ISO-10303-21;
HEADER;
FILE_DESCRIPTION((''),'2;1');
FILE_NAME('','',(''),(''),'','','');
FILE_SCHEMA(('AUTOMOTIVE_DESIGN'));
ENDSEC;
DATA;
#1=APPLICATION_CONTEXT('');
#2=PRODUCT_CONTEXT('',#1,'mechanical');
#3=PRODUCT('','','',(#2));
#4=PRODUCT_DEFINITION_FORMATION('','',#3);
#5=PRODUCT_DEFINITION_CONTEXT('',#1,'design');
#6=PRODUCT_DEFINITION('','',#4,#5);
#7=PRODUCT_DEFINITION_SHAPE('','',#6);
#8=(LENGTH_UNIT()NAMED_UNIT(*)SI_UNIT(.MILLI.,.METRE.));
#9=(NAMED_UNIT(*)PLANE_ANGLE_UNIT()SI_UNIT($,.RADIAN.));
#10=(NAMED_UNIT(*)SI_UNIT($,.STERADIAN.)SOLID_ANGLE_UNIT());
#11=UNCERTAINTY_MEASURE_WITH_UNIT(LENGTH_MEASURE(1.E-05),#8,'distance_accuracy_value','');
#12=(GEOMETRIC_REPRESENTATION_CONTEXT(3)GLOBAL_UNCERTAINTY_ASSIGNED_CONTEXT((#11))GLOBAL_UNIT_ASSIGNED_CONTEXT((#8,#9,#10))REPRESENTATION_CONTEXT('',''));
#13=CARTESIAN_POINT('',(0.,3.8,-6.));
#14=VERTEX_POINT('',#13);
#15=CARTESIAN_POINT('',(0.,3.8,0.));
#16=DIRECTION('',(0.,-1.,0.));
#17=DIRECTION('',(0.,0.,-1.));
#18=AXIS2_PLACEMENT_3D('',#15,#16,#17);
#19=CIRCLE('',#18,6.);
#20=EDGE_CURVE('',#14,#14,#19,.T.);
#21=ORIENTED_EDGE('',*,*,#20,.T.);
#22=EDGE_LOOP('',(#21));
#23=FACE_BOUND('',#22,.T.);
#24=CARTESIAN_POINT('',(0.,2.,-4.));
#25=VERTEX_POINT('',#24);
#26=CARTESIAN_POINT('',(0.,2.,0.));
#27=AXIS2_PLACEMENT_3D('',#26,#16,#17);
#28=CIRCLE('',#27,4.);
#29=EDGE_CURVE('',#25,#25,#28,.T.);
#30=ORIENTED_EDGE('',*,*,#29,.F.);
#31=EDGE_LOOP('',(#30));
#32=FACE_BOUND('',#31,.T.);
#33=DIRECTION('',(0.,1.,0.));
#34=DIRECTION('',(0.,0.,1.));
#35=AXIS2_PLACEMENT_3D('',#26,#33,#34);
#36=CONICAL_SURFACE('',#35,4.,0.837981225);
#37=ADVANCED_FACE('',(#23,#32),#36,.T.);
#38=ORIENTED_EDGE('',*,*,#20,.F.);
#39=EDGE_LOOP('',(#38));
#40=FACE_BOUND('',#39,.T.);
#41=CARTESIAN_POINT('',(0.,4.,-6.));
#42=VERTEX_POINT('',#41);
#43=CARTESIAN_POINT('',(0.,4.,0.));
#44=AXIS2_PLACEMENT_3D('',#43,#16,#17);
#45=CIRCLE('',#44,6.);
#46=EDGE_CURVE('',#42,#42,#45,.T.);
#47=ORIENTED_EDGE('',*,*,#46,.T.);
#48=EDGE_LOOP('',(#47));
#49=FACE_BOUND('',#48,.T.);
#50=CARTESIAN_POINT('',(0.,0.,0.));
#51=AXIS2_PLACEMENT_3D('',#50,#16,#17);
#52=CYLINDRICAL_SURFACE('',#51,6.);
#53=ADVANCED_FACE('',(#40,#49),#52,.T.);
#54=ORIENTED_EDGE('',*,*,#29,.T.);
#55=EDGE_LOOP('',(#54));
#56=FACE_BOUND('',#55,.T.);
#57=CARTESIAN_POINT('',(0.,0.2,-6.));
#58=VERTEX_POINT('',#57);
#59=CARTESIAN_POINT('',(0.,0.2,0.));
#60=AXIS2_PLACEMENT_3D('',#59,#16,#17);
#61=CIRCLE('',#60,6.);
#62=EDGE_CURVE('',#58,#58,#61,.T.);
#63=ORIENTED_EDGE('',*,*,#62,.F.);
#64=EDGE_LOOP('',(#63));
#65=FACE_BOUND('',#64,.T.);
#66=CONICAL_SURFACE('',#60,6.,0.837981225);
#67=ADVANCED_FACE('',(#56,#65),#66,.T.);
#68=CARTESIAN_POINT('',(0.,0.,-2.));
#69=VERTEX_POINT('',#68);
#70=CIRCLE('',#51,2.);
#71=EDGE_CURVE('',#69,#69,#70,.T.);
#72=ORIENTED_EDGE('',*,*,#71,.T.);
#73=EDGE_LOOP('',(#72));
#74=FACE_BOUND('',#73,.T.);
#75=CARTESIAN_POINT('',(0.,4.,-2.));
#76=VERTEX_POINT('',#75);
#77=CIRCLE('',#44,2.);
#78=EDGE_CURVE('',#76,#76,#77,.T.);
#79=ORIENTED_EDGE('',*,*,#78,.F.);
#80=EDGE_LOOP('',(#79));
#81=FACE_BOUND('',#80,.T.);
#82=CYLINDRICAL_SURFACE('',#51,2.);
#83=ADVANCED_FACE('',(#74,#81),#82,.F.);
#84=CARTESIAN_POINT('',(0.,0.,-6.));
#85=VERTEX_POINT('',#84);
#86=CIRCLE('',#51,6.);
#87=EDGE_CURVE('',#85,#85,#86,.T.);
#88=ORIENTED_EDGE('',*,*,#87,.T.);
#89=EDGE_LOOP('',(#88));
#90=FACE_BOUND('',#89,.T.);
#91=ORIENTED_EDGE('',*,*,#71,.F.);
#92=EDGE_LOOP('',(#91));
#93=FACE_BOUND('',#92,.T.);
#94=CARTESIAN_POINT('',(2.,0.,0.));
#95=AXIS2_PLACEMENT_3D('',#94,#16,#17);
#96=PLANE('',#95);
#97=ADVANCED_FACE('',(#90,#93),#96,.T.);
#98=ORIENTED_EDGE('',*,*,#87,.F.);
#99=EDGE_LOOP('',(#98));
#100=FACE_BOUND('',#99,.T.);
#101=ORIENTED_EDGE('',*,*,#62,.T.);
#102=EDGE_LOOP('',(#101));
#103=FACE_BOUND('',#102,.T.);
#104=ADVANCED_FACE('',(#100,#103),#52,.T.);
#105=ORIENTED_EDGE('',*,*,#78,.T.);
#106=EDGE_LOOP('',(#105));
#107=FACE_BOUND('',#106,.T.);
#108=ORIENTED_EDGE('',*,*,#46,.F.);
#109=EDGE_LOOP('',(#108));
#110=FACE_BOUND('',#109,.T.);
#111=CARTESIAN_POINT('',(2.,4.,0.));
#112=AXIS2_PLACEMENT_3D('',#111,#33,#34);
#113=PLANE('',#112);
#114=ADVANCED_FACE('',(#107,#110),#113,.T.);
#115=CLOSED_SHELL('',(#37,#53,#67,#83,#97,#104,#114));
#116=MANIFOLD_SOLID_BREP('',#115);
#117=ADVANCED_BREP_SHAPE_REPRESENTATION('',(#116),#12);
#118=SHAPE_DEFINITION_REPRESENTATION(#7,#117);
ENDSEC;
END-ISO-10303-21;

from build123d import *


with BuildPart() as part:
    # 草图1 → 旋转1 (revolve)
    with BuildSketch(Plane.XY, mode=Mode.PRIVATE) as revolve_1_sk:
        Polygon((2, 0), (6, 0), (6, 0.2), (4, 2), (6, 3.8), (6, 4), (2, 4), align=None)
    revolve(revolve_1_sk.sketch.rotate(Axis((0, 0, 0), (0, 1, 0)), 90), axis=Axis((0, 0, 0), (0, 1, 0)))


solid = part.part
